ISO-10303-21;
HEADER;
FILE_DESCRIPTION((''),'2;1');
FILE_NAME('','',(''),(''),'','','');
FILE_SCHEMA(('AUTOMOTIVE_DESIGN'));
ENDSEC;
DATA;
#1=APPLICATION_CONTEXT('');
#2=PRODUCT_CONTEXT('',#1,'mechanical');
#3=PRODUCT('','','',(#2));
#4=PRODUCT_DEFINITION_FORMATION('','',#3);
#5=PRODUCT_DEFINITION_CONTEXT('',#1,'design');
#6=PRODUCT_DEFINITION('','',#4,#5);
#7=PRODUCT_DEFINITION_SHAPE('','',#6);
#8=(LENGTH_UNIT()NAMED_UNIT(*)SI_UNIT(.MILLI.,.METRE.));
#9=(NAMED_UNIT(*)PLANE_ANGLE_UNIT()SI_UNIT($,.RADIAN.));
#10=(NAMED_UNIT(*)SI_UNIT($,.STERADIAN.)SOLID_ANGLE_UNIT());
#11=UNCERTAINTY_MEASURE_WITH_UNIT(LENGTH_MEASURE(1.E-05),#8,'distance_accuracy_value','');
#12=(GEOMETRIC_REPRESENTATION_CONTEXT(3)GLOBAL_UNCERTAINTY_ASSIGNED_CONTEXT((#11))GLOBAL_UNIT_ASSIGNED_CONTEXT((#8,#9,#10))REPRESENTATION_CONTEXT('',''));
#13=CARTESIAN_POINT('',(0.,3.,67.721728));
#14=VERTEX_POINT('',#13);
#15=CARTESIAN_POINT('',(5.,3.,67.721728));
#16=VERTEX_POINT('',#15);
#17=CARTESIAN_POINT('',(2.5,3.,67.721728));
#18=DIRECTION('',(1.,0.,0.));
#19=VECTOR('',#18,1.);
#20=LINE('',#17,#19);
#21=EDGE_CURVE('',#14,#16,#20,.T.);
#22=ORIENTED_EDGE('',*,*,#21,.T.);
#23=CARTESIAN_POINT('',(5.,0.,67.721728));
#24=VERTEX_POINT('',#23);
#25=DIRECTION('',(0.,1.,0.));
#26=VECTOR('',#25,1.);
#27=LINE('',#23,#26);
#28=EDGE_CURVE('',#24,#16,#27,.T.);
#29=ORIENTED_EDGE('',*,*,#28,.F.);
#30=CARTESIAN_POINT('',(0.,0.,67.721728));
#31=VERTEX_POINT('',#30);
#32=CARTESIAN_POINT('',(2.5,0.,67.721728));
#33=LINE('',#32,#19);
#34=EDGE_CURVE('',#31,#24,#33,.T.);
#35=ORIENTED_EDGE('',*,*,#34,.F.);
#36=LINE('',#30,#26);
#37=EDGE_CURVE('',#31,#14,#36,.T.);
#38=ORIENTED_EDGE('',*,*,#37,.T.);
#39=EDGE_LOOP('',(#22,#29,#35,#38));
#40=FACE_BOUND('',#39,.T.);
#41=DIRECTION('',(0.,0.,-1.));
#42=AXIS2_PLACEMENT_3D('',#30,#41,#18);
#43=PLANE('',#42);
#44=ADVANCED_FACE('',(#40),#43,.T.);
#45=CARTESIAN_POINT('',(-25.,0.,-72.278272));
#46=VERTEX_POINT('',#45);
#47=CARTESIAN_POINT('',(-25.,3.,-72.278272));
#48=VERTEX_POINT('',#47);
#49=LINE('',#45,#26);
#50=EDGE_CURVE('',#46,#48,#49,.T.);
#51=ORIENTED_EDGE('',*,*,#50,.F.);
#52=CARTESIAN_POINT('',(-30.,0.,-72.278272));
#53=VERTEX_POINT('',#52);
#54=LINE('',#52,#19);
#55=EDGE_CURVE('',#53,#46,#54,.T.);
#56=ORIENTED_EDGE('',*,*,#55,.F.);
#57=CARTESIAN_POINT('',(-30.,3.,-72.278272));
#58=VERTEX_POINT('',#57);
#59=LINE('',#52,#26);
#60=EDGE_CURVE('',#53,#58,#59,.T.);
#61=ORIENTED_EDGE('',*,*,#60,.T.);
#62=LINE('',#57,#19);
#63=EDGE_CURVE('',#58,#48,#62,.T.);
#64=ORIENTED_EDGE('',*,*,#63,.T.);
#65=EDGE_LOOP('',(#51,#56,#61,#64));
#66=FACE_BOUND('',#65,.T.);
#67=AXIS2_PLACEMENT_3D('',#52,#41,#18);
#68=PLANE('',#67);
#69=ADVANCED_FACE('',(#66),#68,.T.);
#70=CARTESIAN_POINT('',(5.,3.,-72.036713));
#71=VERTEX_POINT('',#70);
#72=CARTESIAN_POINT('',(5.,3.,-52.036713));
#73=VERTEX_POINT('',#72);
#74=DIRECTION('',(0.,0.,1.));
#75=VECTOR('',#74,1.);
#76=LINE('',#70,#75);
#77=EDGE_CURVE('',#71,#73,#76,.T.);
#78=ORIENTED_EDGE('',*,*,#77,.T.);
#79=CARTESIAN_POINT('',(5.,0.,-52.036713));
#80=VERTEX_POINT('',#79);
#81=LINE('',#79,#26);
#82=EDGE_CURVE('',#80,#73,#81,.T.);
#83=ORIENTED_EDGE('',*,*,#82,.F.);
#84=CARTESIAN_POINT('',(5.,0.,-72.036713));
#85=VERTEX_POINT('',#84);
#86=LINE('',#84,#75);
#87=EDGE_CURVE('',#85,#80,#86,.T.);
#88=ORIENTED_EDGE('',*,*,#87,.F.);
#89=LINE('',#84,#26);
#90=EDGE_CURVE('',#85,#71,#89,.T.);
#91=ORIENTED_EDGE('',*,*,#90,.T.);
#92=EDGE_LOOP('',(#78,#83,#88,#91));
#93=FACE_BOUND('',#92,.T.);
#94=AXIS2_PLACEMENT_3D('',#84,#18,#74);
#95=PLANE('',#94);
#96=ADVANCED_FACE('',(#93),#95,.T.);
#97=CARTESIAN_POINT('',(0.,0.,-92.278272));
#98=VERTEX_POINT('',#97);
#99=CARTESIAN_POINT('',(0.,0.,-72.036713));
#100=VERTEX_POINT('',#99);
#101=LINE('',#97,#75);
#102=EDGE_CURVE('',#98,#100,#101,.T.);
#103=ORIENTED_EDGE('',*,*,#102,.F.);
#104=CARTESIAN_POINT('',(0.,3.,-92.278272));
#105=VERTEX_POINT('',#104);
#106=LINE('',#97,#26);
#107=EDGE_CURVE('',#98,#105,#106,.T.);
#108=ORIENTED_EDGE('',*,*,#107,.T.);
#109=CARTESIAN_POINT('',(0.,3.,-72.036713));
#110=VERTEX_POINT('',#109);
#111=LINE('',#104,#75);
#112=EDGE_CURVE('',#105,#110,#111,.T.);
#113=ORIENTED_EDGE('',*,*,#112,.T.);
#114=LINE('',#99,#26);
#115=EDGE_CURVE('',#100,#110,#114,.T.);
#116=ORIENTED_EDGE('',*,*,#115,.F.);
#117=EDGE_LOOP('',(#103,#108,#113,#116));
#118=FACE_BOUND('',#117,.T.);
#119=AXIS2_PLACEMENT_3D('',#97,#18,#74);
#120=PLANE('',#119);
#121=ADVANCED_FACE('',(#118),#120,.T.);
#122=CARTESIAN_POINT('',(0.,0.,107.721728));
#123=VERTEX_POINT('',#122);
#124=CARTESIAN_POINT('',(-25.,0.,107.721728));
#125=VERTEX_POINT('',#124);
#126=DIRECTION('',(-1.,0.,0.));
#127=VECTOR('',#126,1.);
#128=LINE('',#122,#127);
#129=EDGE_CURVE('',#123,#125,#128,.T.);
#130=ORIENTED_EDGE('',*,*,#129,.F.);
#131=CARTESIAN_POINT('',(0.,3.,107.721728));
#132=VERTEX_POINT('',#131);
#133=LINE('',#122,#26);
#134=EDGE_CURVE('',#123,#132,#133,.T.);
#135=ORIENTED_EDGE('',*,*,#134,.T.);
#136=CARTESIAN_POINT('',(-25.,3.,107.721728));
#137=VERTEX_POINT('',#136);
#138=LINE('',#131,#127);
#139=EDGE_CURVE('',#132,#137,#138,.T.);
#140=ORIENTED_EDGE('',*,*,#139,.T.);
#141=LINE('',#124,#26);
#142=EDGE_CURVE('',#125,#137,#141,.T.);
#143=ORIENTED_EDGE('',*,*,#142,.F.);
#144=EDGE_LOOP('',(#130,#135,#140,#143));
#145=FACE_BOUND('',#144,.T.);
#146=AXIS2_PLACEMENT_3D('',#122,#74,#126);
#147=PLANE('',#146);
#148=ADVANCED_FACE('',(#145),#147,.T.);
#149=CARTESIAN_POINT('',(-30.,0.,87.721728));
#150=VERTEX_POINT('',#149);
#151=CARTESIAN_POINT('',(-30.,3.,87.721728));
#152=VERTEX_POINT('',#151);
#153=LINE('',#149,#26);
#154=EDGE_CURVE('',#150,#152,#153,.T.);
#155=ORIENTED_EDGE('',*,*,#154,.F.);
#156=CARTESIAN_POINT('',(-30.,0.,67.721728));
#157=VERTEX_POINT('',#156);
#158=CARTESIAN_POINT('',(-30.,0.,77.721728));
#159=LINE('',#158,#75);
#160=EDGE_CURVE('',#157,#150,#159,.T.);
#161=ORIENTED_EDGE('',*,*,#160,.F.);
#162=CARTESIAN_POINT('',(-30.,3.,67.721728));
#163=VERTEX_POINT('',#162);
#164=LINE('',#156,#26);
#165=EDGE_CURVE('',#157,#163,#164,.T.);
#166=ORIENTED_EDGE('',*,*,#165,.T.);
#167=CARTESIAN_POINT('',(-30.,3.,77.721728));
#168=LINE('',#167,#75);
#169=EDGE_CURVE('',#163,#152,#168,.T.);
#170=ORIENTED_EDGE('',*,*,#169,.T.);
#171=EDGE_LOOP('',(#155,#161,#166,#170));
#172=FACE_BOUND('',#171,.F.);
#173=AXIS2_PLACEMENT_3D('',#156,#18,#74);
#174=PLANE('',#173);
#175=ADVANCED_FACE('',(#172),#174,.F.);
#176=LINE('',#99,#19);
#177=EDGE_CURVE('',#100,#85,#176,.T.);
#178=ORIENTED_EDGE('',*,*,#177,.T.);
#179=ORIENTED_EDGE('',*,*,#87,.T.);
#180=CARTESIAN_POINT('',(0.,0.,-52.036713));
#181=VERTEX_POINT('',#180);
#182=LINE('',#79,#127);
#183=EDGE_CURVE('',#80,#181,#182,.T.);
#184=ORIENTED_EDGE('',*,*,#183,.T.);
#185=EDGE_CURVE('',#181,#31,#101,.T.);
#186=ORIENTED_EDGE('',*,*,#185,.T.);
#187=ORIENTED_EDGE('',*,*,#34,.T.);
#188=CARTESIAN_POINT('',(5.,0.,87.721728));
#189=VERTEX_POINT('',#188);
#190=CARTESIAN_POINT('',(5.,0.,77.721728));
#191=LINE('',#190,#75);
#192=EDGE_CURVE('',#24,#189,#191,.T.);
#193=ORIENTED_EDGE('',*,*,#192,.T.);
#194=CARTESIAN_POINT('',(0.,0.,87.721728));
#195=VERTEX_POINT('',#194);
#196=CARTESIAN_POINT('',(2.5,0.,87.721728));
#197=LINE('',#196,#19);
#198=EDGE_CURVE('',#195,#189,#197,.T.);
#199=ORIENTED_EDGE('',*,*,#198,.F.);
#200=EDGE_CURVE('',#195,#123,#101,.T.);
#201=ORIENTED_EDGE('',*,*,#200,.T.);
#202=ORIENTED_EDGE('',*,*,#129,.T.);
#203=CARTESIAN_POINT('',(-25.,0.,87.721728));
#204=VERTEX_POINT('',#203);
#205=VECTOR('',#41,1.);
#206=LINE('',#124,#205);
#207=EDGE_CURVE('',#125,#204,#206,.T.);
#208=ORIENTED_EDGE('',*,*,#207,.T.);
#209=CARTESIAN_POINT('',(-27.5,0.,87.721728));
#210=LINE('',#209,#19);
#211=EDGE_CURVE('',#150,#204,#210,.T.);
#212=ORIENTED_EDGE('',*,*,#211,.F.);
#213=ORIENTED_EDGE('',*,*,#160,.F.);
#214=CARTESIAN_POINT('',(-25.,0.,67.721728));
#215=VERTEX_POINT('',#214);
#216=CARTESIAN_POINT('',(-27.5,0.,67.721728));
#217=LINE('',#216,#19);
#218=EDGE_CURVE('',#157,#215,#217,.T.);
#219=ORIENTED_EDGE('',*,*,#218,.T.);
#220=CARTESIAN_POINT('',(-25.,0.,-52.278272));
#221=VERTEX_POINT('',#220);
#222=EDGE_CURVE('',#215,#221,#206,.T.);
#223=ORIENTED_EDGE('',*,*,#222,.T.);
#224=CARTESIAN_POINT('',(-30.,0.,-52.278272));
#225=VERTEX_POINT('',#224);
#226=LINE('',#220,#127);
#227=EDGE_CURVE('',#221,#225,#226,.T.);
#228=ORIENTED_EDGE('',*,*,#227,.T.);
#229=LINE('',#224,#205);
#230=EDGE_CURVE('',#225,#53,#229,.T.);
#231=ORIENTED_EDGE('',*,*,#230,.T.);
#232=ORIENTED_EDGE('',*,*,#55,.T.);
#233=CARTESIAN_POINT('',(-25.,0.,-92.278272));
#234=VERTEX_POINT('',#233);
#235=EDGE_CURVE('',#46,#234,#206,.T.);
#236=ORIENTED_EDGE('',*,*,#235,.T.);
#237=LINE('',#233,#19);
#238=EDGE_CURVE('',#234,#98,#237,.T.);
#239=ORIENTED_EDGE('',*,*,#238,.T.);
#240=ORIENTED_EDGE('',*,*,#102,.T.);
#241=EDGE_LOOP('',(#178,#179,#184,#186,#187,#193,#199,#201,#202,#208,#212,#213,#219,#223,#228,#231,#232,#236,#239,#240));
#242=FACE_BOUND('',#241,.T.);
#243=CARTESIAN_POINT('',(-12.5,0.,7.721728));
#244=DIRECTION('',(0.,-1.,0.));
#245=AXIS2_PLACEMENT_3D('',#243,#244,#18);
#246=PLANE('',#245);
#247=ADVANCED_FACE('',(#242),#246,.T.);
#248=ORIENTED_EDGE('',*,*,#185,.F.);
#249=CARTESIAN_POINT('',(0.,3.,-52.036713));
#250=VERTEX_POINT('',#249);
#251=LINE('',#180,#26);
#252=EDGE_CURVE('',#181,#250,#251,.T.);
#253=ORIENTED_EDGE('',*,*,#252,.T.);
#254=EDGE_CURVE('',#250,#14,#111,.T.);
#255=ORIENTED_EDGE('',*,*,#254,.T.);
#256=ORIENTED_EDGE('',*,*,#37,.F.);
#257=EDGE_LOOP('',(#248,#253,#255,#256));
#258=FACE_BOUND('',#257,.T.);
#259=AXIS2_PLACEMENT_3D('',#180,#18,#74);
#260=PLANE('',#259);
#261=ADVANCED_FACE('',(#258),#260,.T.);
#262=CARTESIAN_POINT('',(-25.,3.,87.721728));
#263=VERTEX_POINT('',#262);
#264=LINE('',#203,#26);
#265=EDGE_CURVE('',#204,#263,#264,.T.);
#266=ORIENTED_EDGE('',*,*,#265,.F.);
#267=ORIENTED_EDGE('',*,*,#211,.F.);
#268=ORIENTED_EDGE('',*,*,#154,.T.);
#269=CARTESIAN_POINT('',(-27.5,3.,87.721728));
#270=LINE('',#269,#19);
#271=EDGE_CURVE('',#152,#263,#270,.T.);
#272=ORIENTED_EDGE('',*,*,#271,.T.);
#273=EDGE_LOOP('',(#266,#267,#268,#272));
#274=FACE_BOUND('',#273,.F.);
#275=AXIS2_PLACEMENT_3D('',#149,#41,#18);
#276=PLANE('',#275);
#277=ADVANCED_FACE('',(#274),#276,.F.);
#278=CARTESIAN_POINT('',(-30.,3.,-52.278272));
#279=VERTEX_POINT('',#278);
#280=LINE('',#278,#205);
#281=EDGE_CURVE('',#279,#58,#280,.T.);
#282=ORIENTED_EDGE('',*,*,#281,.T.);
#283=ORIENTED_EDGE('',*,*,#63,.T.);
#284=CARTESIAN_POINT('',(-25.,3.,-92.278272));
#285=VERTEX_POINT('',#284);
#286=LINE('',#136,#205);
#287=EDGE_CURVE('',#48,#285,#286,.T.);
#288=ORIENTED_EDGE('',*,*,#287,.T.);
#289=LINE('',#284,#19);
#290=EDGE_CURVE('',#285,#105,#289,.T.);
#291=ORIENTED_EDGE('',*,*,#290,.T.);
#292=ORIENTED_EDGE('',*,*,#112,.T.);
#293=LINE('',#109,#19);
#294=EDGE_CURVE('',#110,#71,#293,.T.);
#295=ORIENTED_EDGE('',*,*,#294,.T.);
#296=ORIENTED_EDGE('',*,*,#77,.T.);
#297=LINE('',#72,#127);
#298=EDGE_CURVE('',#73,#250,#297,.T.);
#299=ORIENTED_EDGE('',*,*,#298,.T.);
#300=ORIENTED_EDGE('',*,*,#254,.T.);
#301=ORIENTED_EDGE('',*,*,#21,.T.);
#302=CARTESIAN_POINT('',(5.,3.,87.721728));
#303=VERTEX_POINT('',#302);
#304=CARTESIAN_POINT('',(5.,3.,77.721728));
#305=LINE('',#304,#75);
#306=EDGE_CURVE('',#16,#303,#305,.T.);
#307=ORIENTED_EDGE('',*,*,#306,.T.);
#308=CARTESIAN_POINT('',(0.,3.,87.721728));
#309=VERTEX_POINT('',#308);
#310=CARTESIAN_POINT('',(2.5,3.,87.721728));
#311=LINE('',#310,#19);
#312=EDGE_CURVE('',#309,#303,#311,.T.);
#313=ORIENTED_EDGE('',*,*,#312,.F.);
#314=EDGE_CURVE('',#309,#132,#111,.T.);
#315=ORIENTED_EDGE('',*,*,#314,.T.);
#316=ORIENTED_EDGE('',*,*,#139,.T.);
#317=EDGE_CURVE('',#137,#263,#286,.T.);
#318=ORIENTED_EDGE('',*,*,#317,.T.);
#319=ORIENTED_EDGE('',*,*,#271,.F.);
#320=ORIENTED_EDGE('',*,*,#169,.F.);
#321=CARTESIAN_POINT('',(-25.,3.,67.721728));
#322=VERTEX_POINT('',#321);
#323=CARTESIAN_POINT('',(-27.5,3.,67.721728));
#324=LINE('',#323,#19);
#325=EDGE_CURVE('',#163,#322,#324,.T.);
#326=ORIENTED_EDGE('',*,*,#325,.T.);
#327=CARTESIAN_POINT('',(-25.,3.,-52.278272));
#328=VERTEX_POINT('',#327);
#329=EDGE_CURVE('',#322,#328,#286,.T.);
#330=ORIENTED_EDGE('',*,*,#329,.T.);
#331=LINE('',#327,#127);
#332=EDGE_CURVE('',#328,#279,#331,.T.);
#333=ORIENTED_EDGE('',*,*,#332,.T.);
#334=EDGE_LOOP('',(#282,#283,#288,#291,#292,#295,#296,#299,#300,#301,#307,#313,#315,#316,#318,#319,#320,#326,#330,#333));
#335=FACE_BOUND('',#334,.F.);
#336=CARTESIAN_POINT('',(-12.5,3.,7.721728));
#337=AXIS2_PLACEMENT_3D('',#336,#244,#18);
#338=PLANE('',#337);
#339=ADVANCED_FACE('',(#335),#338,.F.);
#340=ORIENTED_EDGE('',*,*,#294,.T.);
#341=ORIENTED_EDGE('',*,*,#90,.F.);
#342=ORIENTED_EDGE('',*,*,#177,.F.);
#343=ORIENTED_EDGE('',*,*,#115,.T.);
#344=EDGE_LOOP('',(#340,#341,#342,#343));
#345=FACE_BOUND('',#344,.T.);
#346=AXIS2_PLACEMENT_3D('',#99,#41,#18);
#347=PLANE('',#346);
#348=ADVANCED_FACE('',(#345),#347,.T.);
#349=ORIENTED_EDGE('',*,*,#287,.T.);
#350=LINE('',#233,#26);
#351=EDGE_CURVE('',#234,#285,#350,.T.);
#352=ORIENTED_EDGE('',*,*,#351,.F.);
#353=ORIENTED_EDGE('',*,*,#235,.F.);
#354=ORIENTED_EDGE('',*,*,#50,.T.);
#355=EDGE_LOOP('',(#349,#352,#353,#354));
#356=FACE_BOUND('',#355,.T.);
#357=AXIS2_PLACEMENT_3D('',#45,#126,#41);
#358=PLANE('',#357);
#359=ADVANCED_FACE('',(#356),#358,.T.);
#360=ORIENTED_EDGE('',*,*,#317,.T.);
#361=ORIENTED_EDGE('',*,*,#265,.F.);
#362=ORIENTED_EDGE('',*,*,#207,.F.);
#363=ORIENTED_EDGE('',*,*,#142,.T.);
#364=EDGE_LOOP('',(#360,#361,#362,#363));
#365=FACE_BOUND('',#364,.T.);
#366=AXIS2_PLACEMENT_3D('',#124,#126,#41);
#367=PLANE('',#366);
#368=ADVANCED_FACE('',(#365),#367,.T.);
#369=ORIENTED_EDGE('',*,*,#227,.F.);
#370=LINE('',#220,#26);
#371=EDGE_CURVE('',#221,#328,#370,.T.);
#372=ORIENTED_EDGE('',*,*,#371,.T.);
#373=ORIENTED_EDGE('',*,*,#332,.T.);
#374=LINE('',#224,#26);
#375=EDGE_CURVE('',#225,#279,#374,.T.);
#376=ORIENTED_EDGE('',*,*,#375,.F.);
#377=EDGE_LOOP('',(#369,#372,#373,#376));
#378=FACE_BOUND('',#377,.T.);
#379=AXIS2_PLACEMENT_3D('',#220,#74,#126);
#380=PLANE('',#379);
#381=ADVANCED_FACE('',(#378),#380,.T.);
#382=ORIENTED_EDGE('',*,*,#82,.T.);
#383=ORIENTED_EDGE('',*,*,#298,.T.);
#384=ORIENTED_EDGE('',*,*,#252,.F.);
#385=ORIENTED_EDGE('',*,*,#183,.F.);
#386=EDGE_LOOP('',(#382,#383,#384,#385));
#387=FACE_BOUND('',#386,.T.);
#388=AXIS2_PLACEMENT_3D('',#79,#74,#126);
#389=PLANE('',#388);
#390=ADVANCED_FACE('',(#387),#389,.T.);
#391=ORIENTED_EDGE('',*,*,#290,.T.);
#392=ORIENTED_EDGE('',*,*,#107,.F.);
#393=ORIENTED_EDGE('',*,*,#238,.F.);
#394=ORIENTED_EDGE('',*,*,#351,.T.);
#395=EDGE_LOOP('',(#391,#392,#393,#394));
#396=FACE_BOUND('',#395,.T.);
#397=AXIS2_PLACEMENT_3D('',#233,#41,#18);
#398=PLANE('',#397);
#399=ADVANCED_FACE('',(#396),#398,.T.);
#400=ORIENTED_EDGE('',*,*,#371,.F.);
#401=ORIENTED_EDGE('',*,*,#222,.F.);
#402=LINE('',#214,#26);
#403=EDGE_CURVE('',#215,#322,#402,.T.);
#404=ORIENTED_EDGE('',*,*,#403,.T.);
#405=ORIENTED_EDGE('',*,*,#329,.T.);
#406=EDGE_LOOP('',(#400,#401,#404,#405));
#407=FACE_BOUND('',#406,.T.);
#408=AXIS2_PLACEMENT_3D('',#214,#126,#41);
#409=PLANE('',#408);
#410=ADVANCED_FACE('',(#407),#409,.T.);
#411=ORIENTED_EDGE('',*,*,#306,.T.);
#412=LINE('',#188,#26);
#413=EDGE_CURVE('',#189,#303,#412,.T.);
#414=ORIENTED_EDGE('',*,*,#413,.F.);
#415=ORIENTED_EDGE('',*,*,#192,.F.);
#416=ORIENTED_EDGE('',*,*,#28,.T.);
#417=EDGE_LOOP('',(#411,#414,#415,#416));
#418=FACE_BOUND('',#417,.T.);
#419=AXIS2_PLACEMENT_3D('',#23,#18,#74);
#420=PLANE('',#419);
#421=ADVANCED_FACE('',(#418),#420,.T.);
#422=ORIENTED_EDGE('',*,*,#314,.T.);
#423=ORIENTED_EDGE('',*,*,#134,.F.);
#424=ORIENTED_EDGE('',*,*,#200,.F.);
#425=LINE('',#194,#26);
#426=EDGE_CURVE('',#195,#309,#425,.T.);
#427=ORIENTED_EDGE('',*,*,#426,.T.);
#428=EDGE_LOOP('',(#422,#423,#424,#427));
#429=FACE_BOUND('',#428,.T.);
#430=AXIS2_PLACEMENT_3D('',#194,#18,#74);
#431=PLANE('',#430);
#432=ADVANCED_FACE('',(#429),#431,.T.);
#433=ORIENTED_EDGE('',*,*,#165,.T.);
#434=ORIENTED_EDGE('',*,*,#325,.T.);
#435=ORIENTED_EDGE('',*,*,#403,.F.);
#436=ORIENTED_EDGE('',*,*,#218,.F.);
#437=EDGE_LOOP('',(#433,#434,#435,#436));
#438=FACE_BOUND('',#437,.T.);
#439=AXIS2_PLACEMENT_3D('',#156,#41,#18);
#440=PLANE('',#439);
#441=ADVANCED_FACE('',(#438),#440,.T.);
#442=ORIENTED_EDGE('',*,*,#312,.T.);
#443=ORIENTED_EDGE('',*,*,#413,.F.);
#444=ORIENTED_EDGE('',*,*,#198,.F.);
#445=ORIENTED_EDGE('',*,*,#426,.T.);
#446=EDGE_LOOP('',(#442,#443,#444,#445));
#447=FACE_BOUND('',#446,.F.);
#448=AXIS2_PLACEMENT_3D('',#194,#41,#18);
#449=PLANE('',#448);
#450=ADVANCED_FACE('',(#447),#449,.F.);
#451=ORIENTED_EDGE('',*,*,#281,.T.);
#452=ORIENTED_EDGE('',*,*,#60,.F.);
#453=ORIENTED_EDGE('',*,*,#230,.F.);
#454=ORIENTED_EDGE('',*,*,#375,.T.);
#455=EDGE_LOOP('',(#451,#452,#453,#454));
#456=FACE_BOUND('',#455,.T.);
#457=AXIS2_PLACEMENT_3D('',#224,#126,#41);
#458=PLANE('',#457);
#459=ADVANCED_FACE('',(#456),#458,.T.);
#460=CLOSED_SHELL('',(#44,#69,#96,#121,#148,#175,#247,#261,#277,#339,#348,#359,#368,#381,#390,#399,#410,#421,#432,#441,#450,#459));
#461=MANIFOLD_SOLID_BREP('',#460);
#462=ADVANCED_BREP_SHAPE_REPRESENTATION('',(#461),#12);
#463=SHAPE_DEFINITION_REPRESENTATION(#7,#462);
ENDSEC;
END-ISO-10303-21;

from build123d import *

# Parameters (mm, degrees)
F0_W     = 5
F0_H     = 20
F1_DEPTH = 3


with BuildPart() as f1:
    # F0 (on Front) → F1 (new body)
    with BuildSketch(Plane.XZ):
        Polygon((0, 107.721728), (-25, 107.721728), (-25, 87.721728), (-25, 67.721728), (-25, -52.278272), (-25, -72.278272), (-25, -92.278272), (0, -92.278272), (0, -72.278272), (0, -72.036713), (0, -52.036713), (0, 67.721728), (0, 87.721728), align=None)
        with Locations((2.5, 77.721728)):
            Rectangle(F0_W, F0_H)
        with Locations((-27.5, 77.721728)):
            Rectangle(F0_W, F0_H)
        Polygon((3, -52.036713), (0, -52.036713), (0, -72.036713), (5, -72.036713), (5, -52.036713), align=None)
        Polygon((-25, -72.278272), (-25, -52.278272), (-28, -52.278272), (-30, -52.278272), (-30, -72.278272), (-28, -72.278272), align=None)
    extrude(amount=-F1_DEPTH)


solid = f1.part
